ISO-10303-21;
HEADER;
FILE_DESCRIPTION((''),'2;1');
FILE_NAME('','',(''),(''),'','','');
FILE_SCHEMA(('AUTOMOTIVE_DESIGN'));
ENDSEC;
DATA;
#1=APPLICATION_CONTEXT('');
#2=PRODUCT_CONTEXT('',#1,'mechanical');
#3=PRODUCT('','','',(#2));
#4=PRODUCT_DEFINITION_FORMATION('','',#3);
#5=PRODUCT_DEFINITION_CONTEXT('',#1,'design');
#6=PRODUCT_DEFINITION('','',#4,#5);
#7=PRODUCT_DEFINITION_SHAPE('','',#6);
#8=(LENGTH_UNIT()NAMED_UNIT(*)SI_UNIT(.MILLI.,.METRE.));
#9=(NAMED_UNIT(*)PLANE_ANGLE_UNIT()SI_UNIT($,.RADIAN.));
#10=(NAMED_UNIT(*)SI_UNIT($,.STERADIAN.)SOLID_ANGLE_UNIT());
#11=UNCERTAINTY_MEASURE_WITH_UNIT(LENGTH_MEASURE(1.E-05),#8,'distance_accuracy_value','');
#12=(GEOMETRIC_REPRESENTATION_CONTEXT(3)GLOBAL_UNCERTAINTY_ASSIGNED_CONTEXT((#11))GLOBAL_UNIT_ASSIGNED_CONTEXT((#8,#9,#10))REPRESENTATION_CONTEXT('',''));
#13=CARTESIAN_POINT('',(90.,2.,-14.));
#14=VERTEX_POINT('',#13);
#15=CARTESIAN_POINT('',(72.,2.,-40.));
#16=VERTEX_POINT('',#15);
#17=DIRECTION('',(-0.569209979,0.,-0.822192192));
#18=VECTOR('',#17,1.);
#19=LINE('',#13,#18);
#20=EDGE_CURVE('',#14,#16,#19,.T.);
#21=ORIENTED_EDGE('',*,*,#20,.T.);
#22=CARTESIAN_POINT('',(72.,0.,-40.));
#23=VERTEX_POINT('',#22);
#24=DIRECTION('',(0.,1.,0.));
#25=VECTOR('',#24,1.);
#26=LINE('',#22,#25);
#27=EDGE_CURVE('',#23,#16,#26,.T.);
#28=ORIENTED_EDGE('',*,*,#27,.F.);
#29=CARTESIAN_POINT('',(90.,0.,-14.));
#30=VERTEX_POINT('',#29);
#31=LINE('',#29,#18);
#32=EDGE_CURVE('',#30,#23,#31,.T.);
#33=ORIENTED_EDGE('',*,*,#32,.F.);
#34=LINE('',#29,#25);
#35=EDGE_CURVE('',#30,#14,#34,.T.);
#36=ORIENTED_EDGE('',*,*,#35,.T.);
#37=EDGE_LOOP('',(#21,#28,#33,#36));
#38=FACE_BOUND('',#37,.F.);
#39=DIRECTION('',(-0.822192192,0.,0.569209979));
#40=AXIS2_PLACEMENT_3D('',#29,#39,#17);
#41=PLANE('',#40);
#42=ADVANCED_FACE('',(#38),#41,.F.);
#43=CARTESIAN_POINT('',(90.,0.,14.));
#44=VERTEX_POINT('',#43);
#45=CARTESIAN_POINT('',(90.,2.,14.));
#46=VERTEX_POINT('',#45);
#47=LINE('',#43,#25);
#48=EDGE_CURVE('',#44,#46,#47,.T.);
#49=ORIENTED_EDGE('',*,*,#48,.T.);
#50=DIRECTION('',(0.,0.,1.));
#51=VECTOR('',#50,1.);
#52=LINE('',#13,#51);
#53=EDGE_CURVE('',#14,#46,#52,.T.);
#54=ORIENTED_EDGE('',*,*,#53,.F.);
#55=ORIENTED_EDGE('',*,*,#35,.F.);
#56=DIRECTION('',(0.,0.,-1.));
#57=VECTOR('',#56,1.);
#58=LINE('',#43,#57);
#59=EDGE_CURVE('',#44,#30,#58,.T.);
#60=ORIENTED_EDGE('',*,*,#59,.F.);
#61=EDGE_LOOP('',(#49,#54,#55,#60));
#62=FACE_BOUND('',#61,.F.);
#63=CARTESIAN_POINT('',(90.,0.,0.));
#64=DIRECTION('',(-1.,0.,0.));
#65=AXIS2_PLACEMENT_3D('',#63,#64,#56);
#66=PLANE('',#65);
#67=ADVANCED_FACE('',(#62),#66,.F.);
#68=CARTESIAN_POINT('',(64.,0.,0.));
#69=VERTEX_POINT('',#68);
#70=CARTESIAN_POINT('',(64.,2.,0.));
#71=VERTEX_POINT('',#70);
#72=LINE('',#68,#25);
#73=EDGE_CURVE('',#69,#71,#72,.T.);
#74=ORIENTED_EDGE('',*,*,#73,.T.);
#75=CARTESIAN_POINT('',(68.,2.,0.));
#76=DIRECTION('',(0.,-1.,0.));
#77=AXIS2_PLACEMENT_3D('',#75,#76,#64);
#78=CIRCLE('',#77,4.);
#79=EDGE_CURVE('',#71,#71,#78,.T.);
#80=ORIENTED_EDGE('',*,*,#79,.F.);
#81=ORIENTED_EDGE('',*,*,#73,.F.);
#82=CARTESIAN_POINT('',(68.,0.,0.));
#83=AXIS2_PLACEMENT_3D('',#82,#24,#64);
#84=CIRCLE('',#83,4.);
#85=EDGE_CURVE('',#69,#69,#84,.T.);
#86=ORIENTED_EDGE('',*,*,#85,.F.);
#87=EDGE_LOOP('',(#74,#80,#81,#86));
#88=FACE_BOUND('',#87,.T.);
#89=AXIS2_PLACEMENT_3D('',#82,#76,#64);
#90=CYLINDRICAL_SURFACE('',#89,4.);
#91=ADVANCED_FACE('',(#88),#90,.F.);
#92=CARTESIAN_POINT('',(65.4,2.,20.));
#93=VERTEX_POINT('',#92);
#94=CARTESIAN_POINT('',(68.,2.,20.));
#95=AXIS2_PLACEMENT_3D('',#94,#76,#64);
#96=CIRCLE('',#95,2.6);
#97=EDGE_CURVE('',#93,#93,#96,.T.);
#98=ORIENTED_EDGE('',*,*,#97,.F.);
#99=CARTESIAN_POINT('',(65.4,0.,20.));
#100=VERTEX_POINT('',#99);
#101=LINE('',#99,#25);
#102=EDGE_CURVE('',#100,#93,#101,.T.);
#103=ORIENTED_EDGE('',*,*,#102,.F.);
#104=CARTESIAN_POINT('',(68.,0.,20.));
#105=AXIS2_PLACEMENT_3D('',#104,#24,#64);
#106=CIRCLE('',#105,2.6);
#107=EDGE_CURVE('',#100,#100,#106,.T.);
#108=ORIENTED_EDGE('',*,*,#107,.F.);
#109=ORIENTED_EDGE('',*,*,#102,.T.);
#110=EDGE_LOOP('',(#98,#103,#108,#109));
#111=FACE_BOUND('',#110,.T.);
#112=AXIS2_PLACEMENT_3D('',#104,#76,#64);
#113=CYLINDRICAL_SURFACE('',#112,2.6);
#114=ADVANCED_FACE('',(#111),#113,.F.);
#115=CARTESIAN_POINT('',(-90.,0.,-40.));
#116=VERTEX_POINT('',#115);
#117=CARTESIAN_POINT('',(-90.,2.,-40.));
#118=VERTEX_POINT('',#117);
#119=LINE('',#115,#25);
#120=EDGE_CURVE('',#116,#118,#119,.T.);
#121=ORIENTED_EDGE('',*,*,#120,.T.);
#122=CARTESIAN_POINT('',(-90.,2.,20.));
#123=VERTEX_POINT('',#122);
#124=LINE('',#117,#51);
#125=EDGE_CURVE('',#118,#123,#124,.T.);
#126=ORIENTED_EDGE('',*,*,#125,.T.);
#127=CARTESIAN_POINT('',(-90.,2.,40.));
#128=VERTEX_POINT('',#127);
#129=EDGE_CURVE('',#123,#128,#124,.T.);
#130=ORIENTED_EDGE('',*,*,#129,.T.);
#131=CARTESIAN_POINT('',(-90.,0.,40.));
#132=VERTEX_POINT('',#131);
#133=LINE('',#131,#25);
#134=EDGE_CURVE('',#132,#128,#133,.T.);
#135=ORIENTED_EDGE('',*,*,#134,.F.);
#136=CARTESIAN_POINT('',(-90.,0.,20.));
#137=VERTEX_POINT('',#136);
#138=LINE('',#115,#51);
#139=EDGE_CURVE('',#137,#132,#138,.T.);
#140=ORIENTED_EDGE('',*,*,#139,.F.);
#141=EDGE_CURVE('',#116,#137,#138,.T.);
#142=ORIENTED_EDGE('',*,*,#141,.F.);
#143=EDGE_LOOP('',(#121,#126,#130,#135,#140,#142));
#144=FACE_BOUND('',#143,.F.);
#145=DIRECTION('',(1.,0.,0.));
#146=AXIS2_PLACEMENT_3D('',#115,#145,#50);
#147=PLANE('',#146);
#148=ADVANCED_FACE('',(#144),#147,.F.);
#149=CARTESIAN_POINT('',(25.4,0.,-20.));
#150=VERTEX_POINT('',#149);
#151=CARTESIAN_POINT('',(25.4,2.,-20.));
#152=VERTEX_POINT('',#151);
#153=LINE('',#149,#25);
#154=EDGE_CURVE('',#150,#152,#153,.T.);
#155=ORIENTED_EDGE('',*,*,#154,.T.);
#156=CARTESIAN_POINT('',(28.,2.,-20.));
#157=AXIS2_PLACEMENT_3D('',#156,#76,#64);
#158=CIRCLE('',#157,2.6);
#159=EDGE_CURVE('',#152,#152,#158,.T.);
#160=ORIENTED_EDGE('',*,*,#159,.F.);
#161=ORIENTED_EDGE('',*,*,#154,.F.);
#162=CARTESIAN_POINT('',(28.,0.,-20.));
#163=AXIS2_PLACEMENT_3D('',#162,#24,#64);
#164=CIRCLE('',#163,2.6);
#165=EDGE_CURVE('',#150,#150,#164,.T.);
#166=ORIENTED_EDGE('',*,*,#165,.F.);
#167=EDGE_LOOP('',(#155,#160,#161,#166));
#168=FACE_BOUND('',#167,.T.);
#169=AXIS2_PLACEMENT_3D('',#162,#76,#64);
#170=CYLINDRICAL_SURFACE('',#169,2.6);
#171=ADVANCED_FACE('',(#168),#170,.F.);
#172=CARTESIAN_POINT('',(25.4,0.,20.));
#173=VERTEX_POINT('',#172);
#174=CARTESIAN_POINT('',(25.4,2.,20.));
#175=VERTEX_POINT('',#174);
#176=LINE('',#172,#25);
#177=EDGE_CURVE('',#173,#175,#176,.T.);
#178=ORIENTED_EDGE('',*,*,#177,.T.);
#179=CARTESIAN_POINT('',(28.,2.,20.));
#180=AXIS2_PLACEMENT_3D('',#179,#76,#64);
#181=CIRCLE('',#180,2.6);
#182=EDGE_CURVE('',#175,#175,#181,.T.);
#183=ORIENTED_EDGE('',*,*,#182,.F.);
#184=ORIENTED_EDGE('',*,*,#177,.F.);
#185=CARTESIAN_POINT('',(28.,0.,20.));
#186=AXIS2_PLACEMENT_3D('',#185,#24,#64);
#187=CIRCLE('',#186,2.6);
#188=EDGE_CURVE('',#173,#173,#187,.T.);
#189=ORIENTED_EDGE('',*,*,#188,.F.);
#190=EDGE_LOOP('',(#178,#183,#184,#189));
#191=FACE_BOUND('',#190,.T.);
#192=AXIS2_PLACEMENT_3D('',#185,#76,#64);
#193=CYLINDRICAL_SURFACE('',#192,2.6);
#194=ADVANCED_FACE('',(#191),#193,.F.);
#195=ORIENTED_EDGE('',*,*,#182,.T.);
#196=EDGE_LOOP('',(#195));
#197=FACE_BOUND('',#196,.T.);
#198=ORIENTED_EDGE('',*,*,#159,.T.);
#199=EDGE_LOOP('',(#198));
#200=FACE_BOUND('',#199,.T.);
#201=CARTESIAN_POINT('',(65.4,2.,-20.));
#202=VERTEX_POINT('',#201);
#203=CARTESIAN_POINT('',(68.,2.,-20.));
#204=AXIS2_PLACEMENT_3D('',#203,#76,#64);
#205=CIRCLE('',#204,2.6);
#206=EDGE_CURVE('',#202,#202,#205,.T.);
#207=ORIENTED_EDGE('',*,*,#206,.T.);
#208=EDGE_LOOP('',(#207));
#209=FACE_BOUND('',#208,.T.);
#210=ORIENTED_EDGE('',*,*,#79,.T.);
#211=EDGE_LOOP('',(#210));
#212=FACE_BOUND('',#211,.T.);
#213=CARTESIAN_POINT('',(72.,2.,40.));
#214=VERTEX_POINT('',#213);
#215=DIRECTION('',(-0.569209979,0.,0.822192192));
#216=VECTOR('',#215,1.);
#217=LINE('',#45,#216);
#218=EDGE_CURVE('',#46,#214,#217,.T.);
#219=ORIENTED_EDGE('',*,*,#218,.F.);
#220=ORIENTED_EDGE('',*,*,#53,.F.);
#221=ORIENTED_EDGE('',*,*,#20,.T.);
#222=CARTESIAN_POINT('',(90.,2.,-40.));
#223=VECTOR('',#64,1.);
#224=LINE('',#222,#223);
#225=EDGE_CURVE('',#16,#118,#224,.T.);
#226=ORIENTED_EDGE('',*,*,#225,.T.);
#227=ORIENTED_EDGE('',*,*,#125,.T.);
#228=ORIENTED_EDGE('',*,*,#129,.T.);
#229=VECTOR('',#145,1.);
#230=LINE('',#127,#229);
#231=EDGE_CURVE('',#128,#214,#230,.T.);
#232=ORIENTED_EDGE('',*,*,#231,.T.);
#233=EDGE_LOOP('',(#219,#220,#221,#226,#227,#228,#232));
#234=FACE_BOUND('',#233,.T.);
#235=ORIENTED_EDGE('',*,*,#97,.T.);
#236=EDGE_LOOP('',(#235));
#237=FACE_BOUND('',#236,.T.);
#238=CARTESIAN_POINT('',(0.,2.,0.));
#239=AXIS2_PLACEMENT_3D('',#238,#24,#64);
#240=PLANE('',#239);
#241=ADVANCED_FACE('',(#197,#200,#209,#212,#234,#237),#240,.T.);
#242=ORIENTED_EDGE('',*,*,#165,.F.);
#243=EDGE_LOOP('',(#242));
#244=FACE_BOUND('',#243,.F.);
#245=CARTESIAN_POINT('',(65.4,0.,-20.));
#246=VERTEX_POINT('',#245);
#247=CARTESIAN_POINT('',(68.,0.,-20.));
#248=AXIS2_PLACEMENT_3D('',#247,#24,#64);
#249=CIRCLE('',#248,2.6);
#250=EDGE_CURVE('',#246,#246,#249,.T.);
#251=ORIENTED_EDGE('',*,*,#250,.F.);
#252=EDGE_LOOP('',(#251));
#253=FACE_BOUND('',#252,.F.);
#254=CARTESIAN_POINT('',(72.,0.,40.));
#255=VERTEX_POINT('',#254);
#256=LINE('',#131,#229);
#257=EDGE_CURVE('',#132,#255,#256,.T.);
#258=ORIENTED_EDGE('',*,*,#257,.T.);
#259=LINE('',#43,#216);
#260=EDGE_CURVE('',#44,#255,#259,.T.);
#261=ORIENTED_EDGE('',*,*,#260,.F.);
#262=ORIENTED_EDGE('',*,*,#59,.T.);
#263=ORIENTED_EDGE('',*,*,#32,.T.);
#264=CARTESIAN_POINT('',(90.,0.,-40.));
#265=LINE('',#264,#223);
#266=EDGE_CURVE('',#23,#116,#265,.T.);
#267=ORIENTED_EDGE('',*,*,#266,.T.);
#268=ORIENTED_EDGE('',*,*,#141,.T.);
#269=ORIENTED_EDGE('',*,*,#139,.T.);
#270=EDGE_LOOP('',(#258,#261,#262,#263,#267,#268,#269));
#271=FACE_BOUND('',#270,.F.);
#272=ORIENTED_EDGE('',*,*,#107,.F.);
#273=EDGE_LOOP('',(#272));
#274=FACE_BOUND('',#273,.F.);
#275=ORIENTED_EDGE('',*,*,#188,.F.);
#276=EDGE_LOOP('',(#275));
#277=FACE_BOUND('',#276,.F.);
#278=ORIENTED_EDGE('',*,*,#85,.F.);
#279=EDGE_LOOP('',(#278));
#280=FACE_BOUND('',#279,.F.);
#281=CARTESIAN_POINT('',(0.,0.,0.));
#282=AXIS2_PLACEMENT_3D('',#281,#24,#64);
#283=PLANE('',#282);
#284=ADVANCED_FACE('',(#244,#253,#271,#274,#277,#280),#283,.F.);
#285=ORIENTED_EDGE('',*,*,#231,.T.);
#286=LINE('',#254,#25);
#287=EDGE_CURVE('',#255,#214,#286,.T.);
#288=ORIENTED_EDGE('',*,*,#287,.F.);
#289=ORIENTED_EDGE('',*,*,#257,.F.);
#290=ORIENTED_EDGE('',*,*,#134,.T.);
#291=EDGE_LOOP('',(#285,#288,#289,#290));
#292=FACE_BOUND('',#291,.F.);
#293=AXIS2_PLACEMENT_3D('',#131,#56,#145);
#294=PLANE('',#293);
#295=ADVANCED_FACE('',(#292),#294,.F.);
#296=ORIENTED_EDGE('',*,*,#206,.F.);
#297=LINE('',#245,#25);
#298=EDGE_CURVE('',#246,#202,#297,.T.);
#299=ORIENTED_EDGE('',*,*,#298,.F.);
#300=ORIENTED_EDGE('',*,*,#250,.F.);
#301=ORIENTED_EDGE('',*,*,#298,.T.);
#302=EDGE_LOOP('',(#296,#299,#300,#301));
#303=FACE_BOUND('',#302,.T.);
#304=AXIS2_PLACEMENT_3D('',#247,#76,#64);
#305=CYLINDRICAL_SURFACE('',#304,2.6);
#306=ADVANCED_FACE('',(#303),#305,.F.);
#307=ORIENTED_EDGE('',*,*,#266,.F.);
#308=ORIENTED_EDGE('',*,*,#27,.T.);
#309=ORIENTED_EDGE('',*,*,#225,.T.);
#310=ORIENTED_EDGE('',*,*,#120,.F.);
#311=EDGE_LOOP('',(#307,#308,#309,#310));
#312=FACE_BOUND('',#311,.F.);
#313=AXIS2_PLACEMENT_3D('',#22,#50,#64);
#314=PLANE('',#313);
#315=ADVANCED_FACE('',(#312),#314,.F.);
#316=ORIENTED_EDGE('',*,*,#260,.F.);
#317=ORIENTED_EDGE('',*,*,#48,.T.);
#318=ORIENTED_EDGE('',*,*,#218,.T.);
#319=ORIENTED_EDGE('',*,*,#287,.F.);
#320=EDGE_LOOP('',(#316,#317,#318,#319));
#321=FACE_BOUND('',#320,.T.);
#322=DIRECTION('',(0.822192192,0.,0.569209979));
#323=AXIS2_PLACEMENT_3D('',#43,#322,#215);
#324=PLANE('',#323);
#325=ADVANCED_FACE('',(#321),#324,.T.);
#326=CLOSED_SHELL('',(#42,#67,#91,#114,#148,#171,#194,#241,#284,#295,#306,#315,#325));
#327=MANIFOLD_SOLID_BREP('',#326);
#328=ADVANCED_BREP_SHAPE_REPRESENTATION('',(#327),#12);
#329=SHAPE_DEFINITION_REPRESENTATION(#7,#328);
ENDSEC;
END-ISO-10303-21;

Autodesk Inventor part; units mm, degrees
ref_plane "YZ Plane" through (0, 0, 0) normal (1, 0, 0) x (0, 1, 0)
ref_plane "XZ Plane" through (0, 0, 0) normal (0, 1, 0) x (-1, 0, 0)
ref_plane "XY Plane" through (0, 0, 0) normal (0, 0, 1) x (1, 0, 0)
sketch "Sketch1" plane through (0, 0, 0) normal (0, 1, 0) x (-1, 0, 0)
  line L0 (-90, -40) -> (90, -40)
  line L1 (90, -40) -> (90, 40)
  line L2 (90, 40) -> (-90, 40)
  line L3 (-90, 40) -> (-90, -40)
  line L4 (-90, -40) -> (90, 40) construction
  line L5 (90, -40) -> (-90, 40) construction
  line L6 (90, 40) -> (90, 20)
  line L7 (90, 20) -> (-28, 20)
  line L8 (-28, 20) -> (-28, -20)
  line L9 (-28, -20) -> (-68, -20)
  line L10 (-68, -20) -> (-68, 20)
  line L11 (-68, 20) -> (-28, 20)
  line L12 (90, -40) -> (-72, -40)
  line L13 (90, 40) -> (-72, 40)
  line L14 (-90, 0) -> (-90, 14)
  line L15 (-90, 14) -> (-72, 40)
  line L16 (-90, 0) -> (-90, -14)
  line L17 (-90, -14) -> (-72, -40)
  circle A0 centre (-68, 20) radius 2.6
  circle A1 centre (-68, -20) radius 2.6
  circle A2 centre (-28, -20) radius 2.6
  circle A3 centre (-28, 20) radius 2.6
  circle A4 centre (-68, 0) radius 4
  point P0 (0, 0)
  dimension "d0" = 180
  dimension "d1" = 80
  dimension "d2" = 20
  dimension "d3" = 118
  dimension "d4" = 40
  dimension "d5" = 40
  dimension "d6" = 162
  dimension "d7" = 162
  dimension "d8" = 14
  dimension "d9" = 14
  dimension "d10" = 5.2
  dimension "d11" = 5.2
  dimension "d12" = 5.2
  dimension "d13" = 5.2
  dimension "d14" = 8
extrude "Extrusion1" add sketch "Sketch1" along normal blind 2 contours L17 L3 L15 L2 L1 L0 | A3 L8 A2 L9 A1 L10 A4 A0 L11
properties part number "motorholder"
